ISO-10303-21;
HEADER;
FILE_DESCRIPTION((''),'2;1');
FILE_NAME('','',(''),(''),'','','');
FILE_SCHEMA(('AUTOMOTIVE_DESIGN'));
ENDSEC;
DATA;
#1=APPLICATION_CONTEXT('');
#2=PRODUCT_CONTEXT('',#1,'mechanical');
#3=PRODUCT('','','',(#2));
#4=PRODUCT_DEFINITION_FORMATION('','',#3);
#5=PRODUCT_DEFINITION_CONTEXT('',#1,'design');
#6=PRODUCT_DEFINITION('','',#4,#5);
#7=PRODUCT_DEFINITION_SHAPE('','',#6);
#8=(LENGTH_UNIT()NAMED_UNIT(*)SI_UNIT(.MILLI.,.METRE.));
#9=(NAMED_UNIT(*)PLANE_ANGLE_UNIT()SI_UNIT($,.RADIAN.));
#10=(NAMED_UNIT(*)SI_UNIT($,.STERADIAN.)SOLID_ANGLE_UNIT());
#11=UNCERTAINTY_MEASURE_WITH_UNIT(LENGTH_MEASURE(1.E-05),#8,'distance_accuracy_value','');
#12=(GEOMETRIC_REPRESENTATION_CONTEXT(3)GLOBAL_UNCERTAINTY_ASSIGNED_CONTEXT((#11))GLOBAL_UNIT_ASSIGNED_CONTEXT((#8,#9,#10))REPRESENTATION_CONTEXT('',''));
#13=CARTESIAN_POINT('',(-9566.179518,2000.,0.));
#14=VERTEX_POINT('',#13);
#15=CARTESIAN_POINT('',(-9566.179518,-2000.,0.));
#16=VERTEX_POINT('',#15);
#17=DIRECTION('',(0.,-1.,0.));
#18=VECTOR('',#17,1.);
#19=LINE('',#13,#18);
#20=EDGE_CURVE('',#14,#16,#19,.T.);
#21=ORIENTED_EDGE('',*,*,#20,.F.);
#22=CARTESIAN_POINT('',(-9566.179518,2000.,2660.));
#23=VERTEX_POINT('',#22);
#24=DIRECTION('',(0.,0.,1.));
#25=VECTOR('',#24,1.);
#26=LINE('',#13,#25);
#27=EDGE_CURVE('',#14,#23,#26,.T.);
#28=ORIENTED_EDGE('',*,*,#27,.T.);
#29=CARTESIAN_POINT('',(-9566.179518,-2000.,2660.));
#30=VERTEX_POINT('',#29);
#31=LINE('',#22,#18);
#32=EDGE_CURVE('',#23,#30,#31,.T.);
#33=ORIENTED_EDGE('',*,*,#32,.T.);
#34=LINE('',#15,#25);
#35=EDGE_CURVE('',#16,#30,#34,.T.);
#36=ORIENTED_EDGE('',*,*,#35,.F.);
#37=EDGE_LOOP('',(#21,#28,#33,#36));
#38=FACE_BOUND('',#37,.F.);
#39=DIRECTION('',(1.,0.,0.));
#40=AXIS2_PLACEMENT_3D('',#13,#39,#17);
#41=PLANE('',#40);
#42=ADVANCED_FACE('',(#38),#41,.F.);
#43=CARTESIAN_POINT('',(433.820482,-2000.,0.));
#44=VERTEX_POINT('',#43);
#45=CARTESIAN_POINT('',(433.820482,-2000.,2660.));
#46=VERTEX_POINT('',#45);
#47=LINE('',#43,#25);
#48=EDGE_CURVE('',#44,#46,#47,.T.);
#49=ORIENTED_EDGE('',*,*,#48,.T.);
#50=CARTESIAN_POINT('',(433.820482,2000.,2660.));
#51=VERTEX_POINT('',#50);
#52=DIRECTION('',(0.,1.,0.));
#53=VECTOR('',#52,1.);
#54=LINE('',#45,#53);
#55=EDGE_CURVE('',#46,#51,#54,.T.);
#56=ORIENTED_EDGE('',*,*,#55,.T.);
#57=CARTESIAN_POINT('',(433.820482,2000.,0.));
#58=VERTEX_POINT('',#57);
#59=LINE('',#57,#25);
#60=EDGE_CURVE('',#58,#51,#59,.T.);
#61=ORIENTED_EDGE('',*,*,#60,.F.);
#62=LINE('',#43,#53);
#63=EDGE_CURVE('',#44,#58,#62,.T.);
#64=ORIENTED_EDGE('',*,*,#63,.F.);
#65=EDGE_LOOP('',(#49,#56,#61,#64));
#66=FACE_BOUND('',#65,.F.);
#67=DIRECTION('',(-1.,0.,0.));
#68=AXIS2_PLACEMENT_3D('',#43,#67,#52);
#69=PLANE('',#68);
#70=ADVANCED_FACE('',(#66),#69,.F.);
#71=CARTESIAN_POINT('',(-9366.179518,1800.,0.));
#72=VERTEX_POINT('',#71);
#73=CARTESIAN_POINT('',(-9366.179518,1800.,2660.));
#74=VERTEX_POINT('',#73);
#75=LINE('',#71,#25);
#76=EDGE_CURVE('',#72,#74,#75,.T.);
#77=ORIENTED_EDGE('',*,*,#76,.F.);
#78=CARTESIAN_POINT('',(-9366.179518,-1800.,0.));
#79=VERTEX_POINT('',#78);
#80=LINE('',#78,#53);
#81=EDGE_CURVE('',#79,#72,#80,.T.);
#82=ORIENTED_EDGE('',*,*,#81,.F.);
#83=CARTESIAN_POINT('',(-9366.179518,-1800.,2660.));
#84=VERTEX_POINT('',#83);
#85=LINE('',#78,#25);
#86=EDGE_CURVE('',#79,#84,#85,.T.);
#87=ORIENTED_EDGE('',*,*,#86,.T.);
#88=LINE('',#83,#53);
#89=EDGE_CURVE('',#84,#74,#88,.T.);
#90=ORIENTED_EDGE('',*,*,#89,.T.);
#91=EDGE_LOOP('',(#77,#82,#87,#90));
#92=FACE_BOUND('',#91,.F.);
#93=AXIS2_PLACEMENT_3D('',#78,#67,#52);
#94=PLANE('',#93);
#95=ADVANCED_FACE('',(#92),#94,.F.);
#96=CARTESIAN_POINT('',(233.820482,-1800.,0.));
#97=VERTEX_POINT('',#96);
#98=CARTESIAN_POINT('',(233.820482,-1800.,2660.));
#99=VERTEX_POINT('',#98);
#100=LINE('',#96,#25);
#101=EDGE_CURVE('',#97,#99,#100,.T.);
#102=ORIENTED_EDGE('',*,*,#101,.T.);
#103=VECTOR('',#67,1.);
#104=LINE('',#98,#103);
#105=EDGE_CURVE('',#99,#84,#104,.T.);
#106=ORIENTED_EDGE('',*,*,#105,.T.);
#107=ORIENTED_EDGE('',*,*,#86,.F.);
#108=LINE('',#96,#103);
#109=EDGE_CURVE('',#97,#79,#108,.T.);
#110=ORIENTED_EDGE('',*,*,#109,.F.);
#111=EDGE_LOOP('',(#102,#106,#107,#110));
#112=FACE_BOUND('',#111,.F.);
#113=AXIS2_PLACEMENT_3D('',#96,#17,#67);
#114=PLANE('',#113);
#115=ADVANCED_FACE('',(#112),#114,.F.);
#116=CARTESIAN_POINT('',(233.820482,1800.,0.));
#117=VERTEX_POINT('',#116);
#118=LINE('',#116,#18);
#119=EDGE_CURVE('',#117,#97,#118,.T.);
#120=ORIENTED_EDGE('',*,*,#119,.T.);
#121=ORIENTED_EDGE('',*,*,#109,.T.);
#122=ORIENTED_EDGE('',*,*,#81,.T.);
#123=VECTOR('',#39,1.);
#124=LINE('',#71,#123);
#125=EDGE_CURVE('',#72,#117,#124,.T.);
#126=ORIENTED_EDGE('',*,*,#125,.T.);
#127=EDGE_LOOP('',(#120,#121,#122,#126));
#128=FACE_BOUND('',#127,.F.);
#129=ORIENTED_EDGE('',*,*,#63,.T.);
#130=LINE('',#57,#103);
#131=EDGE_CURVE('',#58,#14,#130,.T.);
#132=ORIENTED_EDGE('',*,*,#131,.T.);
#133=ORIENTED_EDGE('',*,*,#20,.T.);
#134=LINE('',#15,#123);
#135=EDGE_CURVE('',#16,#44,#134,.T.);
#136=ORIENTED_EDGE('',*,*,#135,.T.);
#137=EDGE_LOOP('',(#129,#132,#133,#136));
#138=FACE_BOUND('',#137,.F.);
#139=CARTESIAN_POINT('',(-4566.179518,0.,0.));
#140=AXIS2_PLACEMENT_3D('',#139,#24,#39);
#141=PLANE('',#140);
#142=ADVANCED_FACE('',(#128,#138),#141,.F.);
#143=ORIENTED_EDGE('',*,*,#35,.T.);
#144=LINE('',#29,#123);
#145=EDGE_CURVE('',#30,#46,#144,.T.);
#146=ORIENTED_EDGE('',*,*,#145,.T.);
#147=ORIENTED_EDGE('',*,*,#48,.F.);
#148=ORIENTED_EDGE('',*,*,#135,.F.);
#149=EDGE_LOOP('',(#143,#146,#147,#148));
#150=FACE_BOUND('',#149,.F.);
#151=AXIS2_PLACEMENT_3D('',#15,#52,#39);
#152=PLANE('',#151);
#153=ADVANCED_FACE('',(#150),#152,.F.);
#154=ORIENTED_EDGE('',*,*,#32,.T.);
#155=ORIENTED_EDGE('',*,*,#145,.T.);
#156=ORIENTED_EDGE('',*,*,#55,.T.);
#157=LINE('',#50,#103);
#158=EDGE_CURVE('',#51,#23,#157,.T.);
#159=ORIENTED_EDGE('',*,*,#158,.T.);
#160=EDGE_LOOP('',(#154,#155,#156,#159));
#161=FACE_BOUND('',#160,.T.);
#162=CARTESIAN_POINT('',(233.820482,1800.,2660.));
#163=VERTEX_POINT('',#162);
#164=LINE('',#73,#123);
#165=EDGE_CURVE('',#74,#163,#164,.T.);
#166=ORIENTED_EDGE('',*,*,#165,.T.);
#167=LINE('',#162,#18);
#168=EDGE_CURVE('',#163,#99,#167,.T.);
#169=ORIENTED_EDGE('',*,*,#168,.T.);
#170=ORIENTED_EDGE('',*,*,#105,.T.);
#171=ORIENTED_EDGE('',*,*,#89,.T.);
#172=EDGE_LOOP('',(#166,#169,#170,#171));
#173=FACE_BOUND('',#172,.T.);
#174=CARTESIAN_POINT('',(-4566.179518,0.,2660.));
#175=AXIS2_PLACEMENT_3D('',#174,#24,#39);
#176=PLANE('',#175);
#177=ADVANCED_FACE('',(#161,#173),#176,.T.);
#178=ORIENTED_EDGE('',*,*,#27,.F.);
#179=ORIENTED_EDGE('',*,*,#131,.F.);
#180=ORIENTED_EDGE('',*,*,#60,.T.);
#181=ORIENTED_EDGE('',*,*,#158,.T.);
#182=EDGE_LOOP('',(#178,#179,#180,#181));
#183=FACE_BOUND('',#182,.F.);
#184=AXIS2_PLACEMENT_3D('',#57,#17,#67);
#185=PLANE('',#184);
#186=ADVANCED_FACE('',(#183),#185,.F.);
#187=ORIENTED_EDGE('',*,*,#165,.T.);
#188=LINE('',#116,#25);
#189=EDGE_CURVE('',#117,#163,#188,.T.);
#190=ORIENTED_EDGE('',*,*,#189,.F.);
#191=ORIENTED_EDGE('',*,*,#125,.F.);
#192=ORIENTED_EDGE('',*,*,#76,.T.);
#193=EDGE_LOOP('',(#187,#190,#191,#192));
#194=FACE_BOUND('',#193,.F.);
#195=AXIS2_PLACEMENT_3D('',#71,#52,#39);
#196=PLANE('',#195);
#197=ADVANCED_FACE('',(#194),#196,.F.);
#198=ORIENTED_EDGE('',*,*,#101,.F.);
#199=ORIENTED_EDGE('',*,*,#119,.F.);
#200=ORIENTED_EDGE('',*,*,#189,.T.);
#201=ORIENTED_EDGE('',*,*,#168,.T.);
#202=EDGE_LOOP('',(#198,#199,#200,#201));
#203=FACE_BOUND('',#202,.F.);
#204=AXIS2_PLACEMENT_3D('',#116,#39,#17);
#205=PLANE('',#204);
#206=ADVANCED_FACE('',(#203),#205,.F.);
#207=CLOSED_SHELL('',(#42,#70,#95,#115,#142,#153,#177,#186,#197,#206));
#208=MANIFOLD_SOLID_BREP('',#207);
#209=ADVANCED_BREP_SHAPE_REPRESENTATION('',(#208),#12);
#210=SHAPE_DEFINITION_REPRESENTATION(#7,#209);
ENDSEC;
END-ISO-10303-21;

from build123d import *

# Parameters (mm, degrees)
F1_DEPTH = 2660


with BuildPart() as f1:
    # F0 (on Top) → F1 (new body)
    with BuildSketch(Plane.XY):
        Polygon((-9566.179518, 0), (-9566.179518, -2000), (433.820482, -2000), (433.820482, 2000), (-9566.179518, 2000), align=None)
        Polygon((-9366.179518, -1800), (-9366.179518, 0), (-9366.179518, 1800), (233.820482, 1800), (233.820482, -1800), align=None, mode=Mode.SUBTRACT)
    extrude(amount=F1_DEPTH)


solid = f1.part
